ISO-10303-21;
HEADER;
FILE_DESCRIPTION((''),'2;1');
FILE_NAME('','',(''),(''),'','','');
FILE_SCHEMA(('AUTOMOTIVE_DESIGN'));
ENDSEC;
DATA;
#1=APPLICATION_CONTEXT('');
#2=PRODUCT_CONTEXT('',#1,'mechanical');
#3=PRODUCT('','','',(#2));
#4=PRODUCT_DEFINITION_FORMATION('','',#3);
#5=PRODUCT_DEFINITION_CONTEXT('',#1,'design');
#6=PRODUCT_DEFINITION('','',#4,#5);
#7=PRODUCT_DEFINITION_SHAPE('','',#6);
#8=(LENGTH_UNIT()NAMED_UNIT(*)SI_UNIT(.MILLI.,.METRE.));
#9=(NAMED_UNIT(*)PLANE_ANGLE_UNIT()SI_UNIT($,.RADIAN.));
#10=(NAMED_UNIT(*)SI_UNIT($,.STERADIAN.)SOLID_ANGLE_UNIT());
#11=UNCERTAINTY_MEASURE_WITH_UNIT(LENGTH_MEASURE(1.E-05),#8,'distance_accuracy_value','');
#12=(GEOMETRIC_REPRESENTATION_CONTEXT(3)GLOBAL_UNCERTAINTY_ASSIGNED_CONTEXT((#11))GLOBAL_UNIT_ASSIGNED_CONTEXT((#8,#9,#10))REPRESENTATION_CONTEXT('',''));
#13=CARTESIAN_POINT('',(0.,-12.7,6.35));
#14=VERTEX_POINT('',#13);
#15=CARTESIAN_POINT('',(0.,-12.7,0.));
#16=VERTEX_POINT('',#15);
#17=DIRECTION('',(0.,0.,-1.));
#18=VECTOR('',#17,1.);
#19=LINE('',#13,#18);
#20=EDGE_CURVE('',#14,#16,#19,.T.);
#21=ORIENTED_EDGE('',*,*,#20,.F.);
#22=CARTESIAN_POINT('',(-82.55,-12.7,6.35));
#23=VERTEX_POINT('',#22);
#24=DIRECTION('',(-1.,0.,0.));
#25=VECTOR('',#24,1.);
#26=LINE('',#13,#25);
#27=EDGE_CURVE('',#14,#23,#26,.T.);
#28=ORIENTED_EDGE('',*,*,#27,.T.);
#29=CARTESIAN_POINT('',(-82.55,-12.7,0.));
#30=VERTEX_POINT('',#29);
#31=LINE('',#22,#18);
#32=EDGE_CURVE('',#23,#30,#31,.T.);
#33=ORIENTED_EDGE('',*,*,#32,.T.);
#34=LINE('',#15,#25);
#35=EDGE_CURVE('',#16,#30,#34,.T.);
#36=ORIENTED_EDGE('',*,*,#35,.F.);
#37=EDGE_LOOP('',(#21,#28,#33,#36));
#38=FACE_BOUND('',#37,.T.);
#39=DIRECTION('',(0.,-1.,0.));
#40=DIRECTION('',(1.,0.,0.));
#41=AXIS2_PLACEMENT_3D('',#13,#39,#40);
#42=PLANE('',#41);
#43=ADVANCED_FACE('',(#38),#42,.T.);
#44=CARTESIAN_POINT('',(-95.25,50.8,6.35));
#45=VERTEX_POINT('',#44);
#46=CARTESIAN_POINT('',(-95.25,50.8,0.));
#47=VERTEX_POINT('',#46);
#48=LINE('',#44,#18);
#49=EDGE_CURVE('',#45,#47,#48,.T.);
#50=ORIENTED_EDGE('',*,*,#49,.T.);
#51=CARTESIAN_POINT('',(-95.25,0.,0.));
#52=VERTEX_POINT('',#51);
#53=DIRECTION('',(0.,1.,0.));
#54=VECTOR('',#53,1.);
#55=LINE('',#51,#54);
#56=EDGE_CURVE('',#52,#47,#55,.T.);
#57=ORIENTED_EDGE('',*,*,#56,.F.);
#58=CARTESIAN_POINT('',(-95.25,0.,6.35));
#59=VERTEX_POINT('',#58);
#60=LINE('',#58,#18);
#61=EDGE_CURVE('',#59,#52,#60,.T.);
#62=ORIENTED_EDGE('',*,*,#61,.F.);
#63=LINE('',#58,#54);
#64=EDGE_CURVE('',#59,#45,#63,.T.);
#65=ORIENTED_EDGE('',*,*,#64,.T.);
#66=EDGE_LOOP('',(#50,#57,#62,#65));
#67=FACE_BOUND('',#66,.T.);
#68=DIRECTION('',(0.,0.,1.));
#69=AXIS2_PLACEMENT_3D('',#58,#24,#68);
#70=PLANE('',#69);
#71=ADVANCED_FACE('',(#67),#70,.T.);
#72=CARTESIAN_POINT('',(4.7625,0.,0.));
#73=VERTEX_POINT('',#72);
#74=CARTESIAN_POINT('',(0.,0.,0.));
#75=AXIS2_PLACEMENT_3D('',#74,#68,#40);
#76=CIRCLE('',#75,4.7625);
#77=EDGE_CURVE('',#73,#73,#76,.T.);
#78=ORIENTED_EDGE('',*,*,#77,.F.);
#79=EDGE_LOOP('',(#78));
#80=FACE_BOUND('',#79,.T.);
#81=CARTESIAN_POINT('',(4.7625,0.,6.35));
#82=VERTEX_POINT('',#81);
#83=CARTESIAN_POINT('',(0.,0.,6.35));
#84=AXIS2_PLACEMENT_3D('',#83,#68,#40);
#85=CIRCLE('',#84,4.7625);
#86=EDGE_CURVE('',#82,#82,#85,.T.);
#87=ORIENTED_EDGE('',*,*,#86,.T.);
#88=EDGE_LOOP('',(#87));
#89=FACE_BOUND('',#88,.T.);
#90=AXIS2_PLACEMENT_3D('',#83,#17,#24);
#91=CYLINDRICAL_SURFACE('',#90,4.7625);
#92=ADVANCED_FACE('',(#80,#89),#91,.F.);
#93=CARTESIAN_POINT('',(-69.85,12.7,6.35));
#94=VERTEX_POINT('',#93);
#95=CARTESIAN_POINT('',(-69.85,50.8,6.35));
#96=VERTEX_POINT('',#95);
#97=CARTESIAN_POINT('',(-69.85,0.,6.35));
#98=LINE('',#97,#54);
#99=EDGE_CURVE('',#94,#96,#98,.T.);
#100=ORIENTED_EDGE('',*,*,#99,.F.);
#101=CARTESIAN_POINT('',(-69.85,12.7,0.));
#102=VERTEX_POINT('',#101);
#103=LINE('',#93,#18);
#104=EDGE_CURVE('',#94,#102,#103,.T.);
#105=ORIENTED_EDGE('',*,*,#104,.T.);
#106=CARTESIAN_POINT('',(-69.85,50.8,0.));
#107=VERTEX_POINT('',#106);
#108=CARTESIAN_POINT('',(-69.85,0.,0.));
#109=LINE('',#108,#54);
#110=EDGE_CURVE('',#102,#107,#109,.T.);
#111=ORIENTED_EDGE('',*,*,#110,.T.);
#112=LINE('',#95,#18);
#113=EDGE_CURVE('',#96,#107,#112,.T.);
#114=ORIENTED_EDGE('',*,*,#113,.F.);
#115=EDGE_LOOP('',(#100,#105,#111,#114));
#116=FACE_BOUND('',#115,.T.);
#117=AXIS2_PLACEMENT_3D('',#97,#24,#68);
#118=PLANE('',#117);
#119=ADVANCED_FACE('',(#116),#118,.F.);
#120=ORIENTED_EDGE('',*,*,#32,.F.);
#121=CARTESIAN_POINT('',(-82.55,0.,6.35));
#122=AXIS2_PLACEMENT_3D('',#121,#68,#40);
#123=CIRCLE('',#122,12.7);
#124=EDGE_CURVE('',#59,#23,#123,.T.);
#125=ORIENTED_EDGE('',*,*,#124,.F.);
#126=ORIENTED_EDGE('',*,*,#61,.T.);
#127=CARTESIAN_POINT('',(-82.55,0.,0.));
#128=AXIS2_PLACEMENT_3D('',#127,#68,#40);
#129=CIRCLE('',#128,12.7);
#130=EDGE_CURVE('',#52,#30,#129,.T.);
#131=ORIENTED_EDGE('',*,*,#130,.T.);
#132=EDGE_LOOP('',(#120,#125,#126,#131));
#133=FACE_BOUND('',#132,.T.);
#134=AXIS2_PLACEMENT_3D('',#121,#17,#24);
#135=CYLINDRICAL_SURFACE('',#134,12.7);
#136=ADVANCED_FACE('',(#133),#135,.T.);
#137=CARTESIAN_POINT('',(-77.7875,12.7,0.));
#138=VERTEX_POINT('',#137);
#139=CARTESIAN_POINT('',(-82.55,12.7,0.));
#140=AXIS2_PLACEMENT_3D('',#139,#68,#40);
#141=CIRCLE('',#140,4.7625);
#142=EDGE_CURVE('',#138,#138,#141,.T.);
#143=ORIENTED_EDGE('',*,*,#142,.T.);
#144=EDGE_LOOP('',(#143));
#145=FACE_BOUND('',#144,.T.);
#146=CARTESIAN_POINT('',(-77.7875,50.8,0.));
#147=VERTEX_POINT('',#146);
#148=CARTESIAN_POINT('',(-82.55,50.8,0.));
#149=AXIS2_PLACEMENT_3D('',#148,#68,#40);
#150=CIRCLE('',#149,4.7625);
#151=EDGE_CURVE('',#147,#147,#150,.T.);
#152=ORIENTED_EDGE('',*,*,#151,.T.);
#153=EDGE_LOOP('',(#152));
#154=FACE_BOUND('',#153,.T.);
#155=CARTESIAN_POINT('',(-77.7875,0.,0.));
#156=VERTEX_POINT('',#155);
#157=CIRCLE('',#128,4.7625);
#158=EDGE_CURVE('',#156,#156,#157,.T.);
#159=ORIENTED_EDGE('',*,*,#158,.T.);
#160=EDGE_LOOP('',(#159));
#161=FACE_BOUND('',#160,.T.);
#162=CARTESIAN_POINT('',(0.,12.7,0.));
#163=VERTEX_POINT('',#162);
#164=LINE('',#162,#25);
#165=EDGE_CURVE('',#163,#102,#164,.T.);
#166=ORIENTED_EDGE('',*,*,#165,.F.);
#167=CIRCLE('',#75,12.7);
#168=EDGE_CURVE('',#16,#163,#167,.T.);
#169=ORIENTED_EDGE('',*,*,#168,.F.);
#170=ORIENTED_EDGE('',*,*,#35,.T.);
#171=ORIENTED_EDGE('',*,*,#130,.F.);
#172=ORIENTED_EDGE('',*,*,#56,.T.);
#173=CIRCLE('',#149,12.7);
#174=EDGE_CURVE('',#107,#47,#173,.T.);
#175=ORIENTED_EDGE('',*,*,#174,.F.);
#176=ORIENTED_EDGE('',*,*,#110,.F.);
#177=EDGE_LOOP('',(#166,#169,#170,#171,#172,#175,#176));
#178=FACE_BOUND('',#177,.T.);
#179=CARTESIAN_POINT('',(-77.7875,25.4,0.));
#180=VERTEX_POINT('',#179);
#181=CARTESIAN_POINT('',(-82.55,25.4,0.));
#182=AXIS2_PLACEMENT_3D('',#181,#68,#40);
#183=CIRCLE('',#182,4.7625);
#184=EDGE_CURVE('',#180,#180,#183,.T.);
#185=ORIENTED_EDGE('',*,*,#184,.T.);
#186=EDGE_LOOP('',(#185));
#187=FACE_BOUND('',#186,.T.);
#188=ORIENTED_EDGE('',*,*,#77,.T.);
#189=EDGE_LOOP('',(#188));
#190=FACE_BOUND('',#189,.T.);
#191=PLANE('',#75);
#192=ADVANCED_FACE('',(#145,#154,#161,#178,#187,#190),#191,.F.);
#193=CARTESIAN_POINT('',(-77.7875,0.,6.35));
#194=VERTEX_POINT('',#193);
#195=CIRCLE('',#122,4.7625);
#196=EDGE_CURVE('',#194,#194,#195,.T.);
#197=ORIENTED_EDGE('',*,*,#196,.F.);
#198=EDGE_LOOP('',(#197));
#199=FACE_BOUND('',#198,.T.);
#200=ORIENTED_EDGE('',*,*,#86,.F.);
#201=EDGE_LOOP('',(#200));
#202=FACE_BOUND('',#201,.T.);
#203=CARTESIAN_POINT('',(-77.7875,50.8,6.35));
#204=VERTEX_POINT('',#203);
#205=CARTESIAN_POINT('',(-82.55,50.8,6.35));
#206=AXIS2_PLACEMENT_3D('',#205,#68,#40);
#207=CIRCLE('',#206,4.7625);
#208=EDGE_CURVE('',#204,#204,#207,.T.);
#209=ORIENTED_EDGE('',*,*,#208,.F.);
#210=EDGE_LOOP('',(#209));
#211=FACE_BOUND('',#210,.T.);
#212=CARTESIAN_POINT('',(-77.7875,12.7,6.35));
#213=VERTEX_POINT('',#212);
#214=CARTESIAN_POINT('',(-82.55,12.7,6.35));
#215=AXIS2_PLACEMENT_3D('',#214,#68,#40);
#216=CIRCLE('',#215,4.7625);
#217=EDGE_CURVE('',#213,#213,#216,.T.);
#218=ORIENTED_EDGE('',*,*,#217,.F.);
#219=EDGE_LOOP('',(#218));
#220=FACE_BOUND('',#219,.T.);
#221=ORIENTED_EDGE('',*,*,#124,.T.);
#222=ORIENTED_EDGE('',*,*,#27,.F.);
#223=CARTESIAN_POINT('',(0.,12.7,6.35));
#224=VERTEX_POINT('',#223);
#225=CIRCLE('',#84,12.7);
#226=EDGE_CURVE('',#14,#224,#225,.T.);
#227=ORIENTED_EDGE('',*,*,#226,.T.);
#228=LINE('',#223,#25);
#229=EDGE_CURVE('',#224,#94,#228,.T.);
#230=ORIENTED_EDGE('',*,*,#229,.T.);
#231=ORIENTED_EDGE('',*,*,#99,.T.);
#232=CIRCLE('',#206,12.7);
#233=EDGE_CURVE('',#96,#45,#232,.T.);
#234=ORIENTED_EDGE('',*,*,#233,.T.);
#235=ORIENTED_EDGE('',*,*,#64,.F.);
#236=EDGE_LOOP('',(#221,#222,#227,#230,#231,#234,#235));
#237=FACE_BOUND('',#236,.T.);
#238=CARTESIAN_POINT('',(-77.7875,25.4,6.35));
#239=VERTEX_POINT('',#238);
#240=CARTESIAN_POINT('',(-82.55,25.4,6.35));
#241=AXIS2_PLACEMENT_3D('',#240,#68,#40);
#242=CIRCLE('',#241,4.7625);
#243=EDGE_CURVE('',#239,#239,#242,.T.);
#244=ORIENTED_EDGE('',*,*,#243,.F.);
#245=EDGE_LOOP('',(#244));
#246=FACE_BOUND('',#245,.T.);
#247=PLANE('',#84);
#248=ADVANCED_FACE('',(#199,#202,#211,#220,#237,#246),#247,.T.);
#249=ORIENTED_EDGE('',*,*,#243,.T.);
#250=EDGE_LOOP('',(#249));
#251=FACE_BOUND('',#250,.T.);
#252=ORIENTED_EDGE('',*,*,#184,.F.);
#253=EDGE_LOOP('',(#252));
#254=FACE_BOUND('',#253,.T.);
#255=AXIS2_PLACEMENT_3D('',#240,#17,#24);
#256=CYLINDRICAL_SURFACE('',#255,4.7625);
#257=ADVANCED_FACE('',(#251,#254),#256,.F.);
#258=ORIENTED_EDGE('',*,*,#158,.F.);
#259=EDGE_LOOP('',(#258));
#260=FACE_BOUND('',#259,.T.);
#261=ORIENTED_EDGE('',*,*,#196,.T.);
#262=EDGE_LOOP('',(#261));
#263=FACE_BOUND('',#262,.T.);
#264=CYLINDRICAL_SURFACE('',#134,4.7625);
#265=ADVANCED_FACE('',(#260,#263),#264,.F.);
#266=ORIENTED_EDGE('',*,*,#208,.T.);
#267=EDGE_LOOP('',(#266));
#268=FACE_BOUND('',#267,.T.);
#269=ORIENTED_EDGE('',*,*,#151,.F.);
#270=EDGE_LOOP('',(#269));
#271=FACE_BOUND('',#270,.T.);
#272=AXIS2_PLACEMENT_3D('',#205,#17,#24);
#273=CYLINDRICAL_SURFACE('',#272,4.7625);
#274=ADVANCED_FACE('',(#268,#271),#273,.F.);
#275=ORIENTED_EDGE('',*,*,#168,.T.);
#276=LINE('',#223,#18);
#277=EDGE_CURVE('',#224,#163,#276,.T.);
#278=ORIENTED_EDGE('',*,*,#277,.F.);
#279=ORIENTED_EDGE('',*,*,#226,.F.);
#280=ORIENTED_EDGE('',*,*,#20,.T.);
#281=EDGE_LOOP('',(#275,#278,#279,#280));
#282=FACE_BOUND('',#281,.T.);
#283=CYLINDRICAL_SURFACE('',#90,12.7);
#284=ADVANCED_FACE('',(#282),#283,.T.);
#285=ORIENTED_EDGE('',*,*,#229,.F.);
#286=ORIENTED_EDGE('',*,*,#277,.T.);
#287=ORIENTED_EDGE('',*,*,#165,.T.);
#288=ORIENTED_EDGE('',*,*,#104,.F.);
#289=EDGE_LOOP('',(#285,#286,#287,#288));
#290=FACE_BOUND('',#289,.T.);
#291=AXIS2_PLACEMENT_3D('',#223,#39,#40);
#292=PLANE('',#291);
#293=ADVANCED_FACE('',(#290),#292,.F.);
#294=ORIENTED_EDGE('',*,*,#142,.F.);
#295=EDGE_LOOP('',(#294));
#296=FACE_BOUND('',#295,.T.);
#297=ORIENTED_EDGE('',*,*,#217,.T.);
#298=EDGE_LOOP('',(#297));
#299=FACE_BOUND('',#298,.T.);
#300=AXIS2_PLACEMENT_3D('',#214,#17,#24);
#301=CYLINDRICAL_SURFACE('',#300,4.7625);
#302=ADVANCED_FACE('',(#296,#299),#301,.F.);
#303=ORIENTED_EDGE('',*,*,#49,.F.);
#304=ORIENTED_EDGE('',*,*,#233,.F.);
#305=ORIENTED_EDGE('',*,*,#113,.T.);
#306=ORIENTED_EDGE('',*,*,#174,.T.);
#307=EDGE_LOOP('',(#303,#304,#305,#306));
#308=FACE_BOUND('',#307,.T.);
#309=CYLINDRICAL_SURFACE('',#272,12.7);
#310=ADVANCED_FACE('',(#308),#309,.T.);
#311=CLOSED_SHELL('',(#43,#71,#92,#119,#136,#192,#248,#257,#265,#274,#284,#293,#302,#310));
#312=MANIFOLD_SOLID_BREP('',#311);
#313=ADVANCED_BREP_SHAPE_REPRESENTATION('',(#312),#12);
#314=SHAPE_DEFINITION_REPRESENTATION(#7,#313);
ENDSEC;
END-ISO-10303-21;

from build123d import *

# Parameters (mm, degrees)
SKETCH1_R           = 4.7625
BOSS_EXTRUDE1_DEPTH = 6.35


with BuildPart() as part:
    # Sketch1 → Boss-Extrude1 (new body)
    with BuildSketch(Plane.XY):
        with BuildLine():
            Line((-82.55, -12.7), (0, -12.7))
            ThreePointArc((0, -12.7), (12.7, 0), (0, 12.7))
            Line((0, 12.7), (-69.85, 12.7))
            Line((-69.85, 12.7), (-69.85, 50.8))
            ThreePointArc((-69.85, 50.8), (-82.55, 63.5), (-95.25, 50.8))
            Line((-95.25, 50.8), (-95.25, 0))
            ThreePointArc((-95.25, 0), (-91.530256121, -8.980256121), (-82.55, -12.7))
        make_face()
        with Locations((-82.55, 12.7)):
            Circle(SKETCH1_R, mode=Mode.SUBTRACT)
        Circle(SKETCH1_R, mode=Mode.SUBTRACT)
        with Locations((-82.55, 0)):
            Circle(SKETCH1_R, mode=Mode.SUBTRACT)
        with Locations((-82.55, 50.8)):
            Circle(SKETCH1_R, mode=Mode.SUBTRACT)
        with Locations((-82.55, 25.4)):
            Circle(SKETCH1_R, mode=Mode.SUBTRACT)
    extrude(amount=BOSS_EXTRUDE1_DEPTH)


solid = part.part
